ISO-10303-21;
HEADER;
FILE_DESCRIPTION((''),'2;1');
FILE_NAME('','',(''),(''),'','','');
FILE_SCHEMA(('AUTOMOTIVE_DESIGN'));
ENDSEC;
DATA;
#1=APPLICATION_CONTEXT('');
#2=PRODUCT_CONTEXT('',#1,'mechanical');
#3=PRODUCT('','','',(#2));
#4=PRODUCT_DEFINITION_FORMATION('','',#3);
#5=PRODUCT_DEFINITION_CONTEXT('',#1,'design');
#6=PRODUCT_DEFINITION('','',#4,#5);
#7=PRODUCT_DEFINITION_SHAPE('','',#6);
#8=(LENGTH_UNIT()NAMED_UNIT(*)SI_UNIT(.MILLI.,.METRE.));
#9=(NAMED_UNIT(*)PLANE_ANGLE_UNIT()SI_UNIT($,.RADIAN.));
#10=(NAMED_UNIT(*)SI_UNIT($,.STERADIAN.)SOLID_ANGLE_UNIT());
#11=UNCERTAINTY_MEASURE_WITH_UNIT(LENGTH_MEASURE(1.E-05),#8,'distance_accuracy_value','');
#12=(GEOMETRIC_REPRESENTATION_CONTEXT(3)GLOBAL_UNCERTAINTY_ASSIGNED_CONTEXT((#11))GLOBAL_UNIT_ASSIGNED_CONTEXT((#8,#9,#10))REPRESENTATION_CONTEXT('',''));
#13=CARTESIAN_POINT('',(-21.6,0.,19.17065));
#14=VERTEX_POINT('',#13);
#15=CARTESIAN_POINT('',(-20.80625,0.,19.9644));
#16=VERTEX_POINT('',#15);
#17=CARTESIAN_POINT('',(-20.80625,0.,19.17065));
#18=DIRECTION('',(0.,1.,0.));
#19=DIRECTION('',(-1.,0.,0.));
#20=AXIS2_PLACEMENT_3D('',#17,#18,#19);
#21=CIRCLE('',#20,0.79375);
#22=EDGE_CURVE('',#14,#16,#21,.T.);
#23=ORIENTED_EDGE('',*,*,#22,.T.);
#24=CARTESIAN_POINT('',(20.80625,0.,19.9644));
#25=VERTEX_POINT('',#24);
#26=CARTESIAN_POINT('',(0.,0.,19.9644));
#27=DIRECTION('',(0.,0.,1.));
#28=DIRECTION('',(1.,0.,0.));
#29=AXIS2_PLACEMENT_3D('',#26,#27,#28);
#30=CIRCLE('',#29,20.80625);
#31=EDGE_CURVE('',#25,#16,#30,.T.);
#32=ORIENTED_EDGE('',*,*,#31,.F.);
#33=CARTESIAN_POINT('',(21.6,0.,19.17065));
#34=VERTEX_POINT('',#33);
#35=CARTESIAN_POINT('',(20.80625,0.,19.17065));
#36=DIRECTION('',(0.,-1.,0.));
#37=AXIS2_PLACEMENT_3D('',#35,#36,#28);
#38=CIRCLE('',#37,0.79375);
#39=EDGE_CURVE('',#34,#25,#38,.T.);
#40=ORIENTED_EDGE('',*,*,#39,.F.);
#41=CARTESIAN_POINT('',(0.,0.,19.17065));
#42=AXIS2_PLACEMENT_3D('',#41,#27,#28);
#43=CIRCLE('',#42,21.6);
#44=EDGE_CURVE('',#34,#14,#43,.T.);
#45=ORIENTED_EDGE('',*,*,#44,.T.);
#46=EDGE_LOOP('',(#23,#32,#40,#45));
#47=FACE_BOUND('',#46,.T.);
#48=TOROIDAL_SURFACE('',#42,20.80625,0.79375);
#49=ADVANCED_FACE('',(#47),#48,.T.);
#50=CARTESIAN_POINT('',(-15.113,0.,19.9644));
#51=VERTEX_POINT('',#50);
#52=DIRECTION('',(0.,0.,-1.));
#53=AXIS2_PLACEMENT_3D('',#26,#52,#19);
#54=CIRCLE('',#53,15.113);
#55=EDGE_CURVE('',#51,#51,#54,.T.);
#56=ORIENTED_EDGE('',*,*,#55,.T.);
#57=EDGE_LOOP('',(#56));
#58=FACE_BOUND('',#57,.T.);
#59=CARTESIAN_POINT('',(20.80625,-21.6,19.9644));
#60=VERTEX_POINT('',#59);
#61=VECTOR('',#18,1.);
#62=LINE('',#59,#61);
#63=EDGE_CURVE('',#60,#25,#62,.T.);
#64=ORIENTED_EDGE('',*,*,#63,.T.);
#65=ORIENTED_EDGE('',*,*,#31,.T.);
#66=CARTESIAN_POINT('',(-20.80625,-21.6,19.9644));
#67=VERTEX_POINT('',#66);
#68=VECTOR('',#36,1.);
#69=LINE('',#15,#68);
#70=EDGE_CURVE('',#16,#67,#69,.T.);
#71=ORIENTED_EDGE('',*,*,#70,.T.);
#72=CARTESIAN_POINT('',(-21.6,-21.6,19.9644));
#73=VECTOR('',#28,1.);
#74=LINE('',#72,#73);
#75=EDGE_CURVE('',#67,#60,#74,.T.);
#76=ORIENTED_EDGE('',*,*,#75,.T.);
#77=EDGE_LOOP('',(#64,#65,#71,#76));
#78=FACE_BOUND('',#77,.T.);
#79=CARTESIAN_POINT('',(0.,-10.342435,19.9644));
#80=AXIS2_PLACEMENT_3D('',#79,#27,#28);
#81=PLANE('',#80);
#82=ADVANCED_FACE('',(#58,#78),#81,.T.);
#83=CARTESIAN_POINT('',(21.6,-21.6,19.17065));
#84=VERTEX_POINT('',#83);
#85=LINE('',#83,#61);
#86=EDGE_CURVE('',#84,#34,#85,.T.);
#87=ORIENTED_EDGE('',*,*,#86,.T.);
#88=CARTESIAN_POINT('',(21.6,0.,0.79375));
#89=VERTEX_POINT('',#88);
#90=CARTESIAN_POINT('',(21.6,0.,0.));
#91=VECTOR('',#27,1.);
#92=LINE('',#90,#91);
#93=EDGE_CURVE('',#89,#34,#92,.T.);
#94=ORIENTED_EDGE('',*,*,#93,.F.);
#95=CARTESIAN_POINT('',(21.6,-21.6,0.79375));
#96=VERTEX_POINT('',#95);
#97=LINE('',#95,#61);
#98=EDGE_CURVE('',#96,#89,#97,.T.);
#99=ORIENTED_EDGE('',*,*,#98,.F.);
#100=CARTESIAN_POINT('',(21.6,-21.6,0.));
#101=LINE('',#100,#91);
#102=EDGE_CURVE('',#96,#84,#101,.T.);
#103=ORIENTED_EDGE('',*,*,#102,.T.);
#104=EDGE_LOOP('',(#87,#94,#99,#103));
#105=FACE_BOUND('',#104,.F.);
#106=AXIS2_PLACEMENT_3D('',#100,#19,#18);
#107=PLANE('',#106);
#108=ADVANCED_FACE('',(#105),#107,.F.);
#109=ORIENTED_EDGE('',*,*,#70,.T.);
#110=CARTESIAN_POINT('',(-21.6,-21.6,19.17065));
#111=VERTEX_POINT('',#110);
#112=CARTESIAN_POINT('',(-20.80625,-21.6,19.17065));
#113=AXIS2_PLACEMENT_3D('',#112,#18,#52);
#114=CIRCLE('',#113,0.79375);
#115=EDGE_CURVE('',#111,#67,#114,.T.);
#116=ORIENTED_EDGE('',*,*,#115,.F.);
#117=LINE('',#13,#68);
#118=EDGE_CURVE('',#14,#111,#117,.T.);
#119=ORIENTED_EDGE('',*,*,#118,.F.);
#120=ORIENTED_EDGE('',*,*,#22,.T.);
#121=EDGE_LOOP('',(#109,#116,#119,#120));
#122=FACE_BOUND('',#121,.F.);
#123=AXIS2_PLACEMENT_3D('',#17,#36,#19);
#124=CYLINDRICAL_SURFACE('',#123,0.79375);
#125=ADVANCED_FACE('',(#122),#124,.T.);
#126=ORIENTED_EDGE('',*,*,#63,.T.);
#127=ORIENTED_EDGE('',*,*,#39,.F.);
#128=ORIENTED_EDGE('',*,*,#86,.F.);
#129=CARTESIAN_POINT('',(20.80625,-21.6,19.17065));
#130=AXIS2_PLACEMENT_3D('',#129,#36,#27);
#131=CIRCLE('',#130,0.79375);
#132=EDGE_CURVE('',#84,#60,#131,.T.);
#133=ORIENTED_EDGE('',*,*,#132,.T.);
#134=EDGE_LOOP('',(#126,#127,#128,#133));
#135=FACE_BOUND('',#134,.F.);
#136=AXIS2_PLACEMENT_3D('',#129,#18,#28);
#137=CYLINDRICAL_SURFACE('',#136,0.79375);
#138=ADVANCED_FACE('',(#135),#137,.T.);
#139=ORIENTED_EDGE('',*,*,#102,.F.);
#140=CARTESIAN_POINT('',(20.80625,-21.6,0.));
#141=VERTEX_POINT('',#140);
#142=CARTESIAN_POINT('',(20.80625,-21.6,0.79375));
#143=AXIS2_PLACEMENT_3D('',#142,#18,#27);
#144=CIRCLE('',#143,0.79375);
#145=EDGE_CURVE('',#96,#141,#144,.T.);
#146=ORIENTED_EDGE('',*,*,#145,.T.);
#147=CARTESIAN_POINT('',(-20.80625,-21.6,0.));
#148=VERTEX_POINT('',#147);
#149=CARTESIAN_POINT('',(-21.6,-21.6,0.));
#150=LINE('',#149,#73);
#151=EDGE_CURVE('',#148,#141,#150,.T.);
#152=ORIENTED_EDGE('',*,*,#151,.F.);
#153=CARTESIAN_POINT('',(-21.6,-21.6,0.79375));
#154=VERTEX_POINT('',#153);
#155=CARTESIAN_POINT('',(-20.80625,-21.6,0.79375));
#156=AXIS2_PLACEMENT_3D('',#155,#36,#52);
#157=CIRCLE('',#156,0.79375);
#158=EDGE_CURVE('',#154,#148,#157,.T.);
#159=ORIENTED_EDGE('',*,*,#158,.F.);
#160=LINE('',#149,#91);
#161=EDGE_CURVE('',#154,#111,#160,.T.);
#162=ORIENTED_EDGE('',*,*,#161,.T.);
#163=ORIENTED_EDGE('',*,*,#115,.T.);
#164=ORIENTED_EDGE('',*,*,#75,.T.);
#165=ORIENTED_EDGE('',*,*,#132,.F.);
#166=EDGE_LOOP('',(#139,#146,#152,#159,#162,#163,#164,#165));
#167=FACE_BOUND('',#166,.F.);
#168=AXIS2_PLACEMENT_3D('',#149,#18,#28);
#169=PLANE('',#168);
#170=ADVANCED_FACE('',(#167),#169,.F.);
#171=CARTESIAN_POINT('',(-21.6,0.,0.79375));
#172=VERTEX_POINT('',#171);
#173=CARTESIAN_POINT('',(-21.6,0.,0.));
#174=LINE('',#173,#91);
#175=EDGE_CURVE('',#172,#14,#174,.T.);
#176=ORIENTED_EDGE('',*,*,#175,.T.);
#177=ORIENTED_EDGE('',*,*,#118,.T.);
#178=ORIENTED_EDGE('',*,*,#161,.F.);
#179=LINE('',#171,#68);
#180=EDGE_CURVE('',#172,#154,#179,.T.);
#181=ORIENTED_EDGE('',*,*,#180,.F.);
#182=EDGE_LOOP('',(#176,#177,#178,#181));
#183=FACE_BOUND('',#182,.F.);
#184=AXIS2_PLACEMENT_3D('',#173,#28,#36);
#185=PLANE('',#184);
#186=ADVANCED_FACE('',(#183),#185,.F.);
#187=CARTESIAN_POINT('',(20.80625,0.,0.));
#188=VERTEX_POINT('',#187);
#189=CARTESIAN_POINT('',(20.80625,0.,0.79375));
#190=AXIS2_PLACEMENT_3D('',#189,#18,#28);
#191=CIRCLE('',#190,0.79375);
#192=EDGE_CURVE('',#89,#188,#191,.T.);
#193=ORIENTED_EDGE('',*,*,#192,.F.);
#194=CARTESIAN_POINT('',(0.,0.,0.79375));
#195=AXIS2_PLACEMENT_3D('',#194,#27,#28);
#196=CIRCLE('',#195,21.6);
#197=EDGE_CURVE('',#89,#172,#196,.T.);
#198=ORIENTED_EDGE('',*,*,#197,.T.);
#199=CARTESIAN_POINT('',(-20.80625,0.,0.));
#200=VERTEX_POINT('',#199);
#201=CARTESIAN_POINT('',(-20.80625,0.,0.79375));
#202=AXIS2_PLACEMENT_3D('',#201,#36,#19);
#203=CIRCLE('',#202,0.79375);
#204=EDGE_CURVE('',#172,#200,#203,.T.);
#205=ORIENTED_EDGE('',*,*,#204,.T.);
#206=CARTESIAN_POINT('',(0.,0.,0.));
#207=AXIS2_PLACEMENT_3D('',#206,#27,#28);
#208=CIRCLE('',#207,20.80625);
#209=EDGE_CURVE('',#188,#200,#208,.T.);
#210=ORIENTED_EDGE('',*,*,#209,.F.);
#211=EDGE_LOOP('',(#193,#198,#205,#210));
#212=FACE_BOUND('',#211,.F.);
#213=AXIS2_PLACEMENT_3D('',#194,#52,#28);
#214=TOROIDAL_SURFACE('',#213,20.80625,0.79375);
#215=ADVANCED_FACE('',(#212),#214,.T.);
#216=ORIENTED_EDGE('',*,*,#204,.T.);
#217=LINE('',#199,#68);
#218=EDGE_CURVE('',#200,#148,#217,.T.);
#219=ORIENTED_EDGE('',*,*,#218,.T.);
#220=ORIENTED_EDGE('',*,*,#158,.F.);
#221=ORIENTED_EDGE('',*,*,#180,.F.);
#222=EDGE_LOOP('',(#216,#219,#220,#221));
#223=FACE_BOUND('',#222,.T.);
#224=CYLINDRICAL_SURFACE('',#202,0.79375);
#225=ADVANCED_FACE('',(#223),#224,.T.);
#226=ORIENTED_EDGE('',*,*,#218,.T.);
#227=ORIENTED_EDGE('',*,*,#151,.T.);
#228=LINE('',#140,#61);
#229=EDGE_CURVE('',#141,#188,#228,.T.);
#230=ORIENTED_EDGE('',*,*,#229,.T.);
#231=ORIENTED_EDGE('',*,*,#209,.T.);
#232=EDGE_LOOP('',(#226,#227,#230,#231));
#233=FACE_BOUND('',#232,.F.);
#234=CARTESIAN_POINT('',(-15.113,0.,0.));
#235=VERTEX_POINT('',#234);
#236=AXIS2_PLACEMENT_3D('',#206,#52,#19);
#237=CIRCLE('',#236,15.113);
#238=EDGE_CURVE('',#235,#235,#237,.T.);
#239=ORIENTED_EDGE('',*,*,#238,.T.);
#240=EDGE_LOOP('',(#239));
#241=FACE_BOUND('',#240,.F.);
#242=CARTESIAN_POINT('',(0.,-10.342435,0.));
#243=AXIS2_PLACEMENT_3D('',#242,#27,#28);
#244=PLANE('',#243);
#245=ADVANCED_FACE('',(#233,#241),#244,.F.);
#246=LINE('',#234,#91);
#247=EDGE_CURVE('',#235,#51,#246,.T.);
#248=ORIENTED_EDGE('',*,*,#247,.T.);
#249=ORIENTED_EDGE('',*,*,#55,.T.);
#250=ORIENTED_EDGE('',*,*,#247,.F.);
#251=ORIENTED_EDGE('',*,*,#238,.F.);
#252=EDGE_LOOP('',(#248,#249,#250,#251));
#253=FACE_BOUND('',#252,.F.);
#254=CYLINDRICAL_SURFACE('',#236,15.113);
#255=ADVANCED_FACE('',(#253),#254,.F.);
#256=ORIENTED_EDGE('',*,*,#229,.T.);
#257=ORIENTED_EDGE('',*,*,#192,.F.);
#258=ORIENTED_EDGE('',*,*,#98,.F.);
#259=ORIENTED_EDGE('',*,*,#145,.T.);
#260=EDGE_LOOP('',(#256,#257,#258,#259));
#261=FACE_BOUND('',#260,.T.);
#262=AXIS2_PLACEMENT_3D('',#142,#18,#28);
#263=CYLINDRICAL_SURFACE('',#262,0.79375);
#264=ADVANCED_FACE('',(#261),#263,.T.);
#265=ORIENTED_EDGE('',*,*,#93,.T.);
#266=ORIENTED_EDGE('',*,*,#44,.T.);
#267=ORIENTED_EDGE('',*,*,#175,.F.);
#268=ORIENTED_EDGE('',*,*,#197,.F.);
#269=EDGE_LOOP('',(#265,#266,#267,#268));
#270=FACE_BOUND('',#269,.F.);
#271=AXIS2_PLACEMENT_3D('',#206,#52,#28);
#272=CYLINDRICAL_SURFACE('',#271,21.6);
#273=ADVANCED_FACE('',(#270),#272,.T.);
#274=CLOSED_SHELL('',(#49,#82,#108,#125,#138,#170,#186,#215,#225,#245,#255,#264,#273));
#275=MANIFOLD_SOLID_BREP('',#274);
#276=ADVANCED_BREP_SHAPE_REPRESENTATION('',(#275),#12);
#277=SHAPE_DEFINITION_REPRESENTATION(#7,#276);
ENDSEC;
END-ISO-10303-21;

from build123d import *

# Parameters (mm, degrees)
F1_DEPTH = 19.9644
F2_R     = 0.79375


with BuildPart() as f1:
    # F0 (on Top) → F1 (new body)
    with BuildSketch(Plane.XY):
        with BuildLine():
            Line((21.6, 0), (15.113, 0))
            ThreePointArc((15.113, 0), (0, -15.113), (-15.113, 0))
            Line((-15.113, 0), (-21.6, 0))
            ThreePointArc((-21.6, 0), (-15.2735064736, -15.2735064736), (0, -21.6))
            ThreePointArc((0, -21.6), (15.2735064736, -15.2735064736), (21.6, 0))
        make_face()
        with BuildLine():
            ThreePointArc((-15.113, 0), (0, 15.113), (15.113, 0))
            Line((15.113, 0), (21.6, 0))
            ThreePointArc((21.6, 0), (0, 21.6), (-21.6, 0))
            Line((-21.6, 0), (-15.113, 0))
        make_face()
        with BuildLine():
            Line((21.6, -21.6), (21.6, 0))
            ThreePointArc((21.6, 0), (15.2735064736, -15.2735064736), (0, -21.6))
            Line((0, -21.6), (21.6, -21.6))
        make_face()
        with BuildLine():
            ThreePointArc((0, -21.6), (-15.2735064736, -15.2735064736), (-21.6, 0))
            Line((-21.6, 0), (-21.6, -21.6))
            Line((-21.6, -21.6), (0, -21.6))
        make_face()
    extrude(amount=F1_DEPTH)

    # F2
    f2_edges = [f1.edges().sort_by_distance(p)[0] for p in [
        (0, 21.6, 0),
        (0, 21.6, 19.9644),
    ]]
    fillet(f2_edges, radius=F2_R)


solid = f1.part
